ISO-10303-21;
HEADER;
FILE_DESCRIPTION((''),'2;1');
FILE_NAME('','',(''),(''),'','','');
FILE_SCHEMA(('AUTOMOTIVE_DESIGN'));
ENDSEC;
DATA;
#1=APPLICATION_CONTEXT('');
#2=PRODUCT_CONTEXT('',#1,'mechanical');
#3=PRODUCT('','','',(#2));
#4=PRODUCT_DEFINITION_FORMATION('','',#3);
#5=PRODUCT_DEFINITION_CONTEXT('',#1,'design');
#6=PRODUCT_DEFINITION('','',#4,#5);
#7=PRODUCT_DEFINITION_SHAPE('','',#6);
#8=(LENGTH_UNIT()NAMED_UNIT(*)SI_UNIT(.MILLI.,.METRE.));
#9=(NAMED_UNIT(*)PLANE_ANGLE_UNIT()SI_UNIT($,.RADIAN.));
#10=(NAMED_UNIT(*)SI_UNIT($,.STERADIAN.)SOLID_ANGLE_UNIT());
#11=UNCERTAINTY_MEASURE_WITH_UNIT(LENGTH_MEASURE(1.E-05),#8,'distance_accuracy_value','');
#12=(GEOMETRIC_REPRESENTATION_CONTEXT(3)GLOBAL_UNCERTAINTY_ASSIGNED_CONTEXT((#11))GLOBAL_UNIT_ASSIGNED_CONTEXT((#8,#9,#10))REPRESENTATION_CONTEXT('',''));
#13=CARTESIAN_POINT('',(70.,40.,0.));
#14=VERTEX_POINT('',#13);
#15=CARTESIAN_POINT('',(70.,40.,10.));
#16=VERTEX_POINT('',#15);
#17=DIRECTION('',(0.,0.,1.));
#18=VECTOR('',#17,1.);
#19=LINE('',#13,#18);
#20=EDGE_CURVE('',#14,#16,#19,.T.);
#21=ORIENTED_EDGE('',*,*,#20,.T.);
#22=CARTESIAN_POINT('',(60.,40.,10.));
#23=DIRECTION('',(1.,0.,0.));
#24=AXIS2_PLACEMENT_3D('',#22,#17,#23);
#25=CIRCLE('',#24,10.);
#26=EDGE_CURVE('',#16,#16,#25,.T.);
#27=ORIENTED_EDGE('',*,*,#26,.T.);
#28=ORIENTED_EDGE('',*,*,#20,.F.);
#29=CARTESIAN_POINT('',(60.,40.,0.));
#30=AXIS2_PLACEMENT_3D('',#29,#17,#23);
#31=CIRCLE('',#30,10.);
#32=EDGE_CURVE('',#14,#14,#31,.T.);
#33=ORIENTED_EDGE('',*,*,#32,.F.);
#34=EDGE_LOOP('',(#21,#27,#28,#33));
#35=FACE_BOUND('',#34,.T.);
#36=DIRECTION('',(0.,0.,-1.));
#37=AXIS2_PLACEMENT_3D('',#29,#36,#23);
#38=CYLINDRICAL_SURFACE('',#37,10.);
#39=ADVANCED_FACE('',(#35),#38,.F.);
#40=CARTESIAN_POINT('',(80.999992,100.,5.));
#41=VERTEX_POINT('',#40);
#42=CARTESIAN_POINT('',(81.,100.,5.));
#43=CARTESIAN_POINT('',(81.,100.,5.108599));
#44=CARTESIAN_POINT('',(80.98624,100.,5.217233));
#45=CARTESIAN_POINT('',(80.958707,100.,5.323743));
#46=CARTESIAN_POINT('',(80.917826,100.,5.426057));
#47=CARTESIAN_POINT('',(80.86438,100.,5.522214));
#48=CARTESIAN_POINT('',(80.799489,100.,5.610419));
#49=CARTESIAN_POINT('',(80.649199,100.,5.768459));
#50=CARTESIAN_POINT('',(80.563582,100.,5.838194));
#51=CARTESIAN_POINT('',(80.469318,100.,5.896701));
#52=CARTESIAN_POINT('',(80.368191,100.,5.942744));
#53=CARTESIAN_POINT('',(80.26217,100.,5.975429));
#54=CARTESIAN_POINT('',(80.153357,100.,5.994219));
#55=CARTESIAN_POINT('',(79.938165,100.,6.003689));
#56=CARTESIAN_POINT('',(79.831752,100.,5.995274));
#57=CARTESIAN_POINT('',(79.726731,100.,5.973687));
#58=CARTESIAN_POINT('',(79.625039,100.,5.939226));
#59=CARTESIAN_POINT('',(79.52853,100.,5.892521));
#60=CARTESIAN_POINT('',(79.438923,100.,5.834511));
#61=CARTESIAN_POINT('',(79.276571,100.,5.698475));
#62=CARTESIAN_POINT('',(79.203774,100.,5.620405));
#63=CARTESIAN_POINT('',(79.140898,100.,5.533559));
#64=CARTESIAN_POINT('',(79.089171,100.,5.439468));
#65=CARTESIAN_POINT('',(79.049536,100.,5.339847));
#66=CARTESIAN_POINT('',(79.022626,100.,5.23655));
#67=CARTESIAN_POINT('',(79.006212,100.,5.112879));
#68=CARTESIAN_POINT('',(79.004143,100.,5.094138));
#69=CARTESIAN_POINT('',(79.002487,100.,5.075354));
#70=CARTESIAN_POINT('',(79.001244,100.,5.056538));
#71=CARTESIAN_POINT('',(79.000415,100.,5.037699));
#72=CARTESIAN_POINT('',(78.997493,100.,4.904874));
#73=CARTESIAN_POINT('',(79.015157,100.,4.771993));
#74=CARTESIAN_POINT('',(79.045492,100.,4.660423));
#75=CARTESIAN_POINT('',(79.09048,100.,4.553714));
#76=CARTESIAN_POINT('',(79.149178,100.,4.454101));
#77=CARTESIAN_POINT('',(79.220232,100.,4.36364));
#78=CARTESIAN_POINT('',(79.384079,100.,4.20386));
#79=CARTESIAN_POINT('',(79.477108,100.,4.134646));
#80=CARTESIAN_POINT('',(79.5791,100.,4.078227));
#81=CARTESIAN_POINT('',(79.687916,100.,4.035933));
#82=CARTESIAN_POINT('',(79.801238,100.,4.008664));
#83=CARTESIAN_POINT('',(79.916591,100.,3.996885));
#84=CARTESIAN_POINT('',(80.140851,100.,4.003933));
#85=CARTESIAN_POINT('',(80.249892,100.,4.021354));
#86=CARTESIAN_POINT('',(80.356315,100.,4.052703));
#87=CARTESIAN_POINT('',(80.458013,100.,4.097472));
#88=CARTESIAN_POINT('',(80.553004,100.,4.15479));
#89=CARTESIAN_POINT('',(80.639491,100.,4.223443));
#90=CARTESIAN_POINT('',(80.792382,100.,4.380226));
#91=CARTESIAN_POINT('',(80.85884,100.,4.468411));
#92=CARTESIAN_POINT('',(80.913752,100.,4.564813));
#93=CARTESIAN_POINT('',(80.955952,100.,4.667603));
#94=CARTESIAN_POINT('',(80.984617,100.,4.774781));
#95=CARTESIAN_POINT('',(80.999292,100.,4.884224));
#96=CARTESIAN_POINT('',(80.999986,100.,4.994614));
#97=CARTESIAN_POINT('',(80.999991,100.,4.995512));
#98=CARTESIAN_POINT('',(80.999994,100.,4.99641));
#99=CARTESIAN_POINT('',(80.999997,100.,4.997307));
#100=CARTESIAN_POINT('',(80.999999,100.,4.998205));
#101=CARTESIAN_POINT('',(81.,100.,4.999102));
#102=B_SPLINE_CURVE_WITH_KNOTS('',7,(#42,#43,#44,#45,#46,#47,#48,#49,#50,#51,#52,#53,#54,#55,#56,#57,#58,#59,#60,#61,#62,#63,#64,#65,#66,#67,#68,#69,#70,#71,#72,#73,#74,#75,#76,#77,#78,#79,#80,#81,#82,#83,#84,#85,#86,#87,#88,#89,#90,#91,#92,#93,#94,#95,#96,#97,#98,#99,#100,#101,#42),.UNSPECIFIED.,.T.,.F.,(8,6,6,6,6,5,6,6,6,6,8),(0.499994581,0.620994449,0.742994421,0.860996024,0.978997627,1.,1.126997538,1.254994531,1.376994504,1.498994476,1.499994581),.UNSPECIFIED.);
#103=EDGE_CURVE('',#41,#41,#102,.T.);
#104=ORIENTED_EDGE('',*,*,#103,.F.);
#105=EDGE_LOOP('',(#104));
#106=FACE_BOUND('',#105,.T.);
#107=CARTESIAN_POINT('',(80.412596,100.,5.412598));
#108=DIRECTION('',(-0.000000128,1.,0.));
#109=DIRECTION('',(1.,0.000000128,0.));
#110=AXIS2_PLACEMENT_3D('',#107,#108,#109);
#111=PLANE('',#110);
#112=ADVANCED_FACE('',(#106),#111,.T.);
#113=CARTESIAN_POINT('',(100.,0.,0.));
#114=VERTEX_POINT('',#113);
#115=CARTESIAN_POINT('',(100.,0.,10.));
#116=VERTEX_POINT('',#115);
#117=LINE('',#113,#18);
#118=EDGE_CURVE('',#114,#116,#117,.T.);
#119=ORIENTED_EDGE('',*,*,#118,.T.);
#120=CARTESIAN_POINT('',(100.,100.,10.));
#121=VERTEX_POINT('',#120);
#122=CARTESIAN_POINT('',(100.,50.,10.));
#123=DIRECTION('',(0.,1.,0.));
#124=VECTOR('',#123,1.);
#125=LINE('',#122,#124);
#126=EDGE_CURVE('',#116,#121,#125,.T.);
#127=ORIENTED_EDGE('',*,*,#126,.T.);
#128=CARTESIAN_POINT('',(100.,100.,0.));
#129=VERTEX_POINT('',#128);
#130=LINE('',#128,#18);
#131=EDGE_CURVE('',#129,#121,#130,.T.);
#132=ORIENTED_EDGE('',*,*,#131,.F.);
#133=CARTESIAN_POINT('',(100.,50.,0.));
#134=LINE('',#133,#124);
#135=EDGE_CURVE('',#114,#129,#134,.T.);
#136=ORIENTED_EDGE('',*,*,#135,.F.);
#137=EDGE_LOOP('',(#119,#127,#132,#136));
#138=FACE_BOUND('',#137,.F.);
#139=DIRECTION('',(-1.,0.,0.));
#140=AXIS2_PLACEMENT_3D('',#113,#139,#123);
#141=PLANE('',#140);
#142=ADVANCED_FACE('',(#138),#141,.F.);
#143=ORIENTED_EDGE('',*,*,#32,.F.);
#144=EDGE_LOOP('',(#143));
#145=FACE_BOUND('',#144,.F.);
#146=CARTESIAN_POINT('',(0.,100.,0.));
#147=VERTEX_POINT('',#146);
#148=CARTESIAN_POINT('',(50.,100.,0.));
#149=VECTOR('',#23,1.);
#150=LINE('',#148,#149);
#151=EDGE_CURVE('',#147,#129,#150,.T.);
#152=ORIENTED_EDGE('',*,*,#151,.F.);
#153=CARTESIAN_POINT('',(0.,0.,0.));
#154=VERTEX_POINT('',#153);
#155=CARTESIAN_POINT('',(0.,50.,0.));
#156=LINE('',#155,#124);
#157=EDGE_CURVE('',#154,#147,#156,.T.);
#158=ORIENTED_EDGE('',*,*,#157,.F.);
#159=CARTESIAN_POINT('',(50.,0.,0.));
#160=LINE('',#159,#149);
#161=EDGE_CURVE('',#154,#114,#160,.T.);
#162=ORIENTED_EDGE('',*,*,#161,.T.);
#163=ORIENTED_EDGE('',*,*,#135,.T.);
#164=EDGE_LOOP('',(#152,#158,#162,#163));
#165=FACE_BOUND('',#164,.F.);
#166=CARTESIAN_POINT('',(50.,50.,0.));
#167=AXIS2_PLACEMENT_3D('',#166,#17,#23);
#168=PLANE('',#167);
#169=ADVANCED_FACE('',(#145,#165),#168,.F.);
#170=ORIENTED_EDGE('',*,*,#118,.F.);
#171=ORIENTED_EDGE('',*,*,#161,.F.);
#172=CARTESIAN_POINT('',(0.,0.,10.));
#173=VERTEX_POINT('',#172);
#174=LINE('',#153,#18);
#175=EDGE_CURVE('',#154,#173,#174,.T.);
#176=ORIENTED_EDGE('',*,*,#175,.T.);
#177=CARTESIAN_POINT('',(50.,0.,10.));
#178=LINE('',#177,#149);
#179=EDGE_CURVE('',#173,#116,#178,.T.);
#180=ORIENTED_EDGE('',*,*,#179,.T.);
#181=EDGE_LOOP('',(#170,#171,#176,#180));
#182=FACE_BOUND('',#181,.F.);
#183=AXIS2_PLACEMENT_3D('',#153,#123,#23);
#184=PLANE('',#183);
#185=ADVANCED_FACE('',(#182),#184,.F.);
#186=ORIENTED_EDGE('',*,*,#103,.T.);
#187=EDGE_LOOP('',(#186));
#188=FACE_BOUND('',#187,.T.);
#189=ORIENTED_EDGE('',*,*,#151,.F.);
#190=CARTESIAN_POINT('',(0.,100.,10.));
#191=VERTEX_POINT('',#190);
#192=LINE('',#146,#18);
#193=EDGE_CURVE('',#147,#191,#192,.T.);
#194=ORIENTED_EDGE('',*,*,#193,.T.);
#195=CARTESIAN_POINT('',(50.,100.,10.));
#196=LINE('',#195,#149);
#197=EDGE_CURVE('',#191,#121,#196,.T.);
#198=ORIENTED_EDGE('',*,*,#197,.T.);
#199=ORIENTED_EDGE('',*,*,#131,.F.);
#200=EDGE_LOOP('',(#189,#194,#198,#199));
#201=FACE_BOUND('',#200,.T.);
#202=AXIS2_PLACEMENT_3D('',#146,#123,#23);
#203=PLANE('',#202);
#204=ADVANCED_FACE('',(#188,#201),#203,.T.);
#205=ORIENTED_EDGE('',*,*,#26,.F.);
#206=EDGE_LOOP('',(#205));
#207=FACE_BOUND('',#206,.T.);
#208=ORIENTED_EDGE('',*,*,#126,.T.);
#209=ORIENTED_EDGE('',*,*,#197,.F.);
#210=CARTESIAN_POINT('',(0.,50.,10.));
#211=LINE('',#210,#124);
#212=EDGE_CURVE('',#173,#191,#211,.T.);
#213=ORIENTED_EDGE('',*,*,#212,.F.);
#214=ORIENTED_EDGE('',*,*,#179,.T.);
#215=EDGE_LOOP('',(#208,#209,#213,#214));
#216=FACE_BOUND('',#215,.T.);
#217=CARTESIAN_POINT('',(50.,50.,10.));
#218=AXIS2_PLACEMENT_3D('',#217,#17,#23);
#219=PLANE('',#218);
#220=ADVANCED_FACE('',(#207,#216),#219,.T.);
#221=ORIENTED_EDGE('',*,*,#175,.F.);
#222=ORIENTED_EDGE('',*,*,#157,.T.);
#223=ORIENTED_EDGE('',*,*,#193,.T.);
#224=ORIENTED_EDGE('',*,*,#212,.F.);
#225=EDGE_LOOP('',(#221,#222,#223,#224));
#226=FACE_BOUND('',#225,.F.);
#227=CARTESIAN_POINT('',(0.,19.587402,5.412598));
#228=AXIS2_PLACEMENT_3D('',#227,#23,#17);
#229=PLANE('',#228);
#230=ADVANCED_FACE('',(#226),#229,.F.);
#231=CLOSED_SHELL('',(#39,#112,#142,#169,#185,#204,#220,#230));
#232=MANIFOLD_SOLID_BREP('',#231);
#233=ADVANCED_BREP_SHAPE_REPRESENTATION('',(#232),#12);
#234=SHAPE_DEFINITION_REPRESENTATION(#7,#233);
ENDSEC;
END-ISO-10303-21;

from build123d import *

# Parameters (mm, degrees)
SKETCH_W    = 100
SKETCH_H    = 100
SKETCH_R    = 10
PAD_DEPTH   = 10
SKETCH002_R = 1


with BuildPart() as part:
    # Sketch → Pad (new body)
    with BuildSketch(Plane.XY):
        with Locations((50, 50)):
            Rectangle(SKETCH_W, SKETCH_H)
        with Locations((60, 40)):
            Circle(SKETCH_R, mode=Mode.SUBTRACT)
    extrude(amount=PAD_DEPTH)

    # SubtractivePipe: sweep along a path in Sketch001
    with BuildLine(Plane.XY.offset(5)) as subtractivepipe_path:
        Line((-10, 20), (60, 20))
        ThreePointArc((60, 20), (74.142136, 25.857864), (80, 40))
        Line((80, 40), (80, 110))
    # Sketch002 → SubtractivePipe (sweep, cut)
    with BuildSketch(Plane(origin=(0, 0, 5), x_dir=(0, 1, 0), z_dir=(1, 0, 0))):
        with Locations((20, 0)):
            Circle(SKETCH002_R)
    sweep(path=subtractivepipe_path.line, mode=Mode.SUBTRACT)

    # AdditivePipe: sweep along a path in Sketch005
    with BuildLine(Plane.XY.offset(5)) as additivepipe_path:
        Line((0, 20), (60, 20))
        ThreePointArc((60, 20), (74.142136, 25.857864), (80, 40))
        Line((80, 40), (80, 100))
    # Sketch006 → AdditivePipe (sweep)
    with BuildSketch(Plane(origin=(0, 20, 5), x_dir=(0, 1, 0), z_dir=(1, 0, 0))):
        with BuildLine():
            ThreePointArc((0, -1), (0.707107, -0.707107), (1, 0))
            Line((1, 0), (0, 0))
            Line((0, 0), (0, -1))
        make_face()
    sweep(path=additivepipe_path.line)

    # AdditivePipe001: sweep along a path in Sketch011
    with BuildLine(Plane.XY.offset(5)) as additivepipe001_path:
        Line((0, 20), (60, 20))
        ThreePointArc((60, 20), (74.142136, 25.857864), (80, 40))
        Line((80, 40), (80, 100))
    # Sketch012 → AdditivePipe001 (sweep)
    with BuildSketch(Plane(origin=(0, 20, 5), x_dir=(0, 0, 1), z_dir=(1, 0, 0))):
        with BuildLine():
            ThreePointArc((0, -1), (0.707107, -0.707107), (1, 0))
            Line((1, 0), (0, 0))
            Line((0, 0), (0, -1))
        make_face()
    sweep(path=additivepipe001_path.line)

    # AdditivePipe002: sweep along a path in Sketch016
    with BuildLine(Plane.XY.offset(5)) as additivepipe002_path:
        Line((0, 20), (60, 20))
        ThreePointArc((60, 20), (74.142136, 25.857864), (80, 40))
        Line((80, 40), (80, 100))
    # Sketch015 → AdditivePipe002 (sweep)
    with BuildSketch(Plane(origin=(0, 20, 5), x_dir=(0, 0, -1), z_dir=(1, 0, 0))):
        with BuildLine():
            ThreePointArc((0, -1), (0.707107, -0.707107), (1, 0))
            Line((1, 0), (0, 0))
            Line((0, 0), (0, -1))
        make_face()
    sweep(path=additivepipe002_path.line)

    # AdditivePipe003: sweep along a path in Sketch013
    with BuildLine(Plane.XY.offset(5)) as additivepipe003_path:
        Line((0, 20), (60, 20))
        ThreePointArc((60, 20), (74.142136, 25.857864), (80, 40))
        Line((80, 40), (80, 100))
    # Sketch014 → AdditivePipe003 (sweep)
    with BuildSketch(Plane(origin=(0, 20, 5), x_dir=(0, -1, 0), z_dir=(1, 0, 0))):
        with BuildLine():
            ThreePointArc((0, -1), (0.707107, -0.707107), (1, 0))
            Line((1, 0), (0, 0))
            Line((0, 0), (0, -1))
        make_face()
    sweep(path=additivepipe003_path.line)


solid = part.part
